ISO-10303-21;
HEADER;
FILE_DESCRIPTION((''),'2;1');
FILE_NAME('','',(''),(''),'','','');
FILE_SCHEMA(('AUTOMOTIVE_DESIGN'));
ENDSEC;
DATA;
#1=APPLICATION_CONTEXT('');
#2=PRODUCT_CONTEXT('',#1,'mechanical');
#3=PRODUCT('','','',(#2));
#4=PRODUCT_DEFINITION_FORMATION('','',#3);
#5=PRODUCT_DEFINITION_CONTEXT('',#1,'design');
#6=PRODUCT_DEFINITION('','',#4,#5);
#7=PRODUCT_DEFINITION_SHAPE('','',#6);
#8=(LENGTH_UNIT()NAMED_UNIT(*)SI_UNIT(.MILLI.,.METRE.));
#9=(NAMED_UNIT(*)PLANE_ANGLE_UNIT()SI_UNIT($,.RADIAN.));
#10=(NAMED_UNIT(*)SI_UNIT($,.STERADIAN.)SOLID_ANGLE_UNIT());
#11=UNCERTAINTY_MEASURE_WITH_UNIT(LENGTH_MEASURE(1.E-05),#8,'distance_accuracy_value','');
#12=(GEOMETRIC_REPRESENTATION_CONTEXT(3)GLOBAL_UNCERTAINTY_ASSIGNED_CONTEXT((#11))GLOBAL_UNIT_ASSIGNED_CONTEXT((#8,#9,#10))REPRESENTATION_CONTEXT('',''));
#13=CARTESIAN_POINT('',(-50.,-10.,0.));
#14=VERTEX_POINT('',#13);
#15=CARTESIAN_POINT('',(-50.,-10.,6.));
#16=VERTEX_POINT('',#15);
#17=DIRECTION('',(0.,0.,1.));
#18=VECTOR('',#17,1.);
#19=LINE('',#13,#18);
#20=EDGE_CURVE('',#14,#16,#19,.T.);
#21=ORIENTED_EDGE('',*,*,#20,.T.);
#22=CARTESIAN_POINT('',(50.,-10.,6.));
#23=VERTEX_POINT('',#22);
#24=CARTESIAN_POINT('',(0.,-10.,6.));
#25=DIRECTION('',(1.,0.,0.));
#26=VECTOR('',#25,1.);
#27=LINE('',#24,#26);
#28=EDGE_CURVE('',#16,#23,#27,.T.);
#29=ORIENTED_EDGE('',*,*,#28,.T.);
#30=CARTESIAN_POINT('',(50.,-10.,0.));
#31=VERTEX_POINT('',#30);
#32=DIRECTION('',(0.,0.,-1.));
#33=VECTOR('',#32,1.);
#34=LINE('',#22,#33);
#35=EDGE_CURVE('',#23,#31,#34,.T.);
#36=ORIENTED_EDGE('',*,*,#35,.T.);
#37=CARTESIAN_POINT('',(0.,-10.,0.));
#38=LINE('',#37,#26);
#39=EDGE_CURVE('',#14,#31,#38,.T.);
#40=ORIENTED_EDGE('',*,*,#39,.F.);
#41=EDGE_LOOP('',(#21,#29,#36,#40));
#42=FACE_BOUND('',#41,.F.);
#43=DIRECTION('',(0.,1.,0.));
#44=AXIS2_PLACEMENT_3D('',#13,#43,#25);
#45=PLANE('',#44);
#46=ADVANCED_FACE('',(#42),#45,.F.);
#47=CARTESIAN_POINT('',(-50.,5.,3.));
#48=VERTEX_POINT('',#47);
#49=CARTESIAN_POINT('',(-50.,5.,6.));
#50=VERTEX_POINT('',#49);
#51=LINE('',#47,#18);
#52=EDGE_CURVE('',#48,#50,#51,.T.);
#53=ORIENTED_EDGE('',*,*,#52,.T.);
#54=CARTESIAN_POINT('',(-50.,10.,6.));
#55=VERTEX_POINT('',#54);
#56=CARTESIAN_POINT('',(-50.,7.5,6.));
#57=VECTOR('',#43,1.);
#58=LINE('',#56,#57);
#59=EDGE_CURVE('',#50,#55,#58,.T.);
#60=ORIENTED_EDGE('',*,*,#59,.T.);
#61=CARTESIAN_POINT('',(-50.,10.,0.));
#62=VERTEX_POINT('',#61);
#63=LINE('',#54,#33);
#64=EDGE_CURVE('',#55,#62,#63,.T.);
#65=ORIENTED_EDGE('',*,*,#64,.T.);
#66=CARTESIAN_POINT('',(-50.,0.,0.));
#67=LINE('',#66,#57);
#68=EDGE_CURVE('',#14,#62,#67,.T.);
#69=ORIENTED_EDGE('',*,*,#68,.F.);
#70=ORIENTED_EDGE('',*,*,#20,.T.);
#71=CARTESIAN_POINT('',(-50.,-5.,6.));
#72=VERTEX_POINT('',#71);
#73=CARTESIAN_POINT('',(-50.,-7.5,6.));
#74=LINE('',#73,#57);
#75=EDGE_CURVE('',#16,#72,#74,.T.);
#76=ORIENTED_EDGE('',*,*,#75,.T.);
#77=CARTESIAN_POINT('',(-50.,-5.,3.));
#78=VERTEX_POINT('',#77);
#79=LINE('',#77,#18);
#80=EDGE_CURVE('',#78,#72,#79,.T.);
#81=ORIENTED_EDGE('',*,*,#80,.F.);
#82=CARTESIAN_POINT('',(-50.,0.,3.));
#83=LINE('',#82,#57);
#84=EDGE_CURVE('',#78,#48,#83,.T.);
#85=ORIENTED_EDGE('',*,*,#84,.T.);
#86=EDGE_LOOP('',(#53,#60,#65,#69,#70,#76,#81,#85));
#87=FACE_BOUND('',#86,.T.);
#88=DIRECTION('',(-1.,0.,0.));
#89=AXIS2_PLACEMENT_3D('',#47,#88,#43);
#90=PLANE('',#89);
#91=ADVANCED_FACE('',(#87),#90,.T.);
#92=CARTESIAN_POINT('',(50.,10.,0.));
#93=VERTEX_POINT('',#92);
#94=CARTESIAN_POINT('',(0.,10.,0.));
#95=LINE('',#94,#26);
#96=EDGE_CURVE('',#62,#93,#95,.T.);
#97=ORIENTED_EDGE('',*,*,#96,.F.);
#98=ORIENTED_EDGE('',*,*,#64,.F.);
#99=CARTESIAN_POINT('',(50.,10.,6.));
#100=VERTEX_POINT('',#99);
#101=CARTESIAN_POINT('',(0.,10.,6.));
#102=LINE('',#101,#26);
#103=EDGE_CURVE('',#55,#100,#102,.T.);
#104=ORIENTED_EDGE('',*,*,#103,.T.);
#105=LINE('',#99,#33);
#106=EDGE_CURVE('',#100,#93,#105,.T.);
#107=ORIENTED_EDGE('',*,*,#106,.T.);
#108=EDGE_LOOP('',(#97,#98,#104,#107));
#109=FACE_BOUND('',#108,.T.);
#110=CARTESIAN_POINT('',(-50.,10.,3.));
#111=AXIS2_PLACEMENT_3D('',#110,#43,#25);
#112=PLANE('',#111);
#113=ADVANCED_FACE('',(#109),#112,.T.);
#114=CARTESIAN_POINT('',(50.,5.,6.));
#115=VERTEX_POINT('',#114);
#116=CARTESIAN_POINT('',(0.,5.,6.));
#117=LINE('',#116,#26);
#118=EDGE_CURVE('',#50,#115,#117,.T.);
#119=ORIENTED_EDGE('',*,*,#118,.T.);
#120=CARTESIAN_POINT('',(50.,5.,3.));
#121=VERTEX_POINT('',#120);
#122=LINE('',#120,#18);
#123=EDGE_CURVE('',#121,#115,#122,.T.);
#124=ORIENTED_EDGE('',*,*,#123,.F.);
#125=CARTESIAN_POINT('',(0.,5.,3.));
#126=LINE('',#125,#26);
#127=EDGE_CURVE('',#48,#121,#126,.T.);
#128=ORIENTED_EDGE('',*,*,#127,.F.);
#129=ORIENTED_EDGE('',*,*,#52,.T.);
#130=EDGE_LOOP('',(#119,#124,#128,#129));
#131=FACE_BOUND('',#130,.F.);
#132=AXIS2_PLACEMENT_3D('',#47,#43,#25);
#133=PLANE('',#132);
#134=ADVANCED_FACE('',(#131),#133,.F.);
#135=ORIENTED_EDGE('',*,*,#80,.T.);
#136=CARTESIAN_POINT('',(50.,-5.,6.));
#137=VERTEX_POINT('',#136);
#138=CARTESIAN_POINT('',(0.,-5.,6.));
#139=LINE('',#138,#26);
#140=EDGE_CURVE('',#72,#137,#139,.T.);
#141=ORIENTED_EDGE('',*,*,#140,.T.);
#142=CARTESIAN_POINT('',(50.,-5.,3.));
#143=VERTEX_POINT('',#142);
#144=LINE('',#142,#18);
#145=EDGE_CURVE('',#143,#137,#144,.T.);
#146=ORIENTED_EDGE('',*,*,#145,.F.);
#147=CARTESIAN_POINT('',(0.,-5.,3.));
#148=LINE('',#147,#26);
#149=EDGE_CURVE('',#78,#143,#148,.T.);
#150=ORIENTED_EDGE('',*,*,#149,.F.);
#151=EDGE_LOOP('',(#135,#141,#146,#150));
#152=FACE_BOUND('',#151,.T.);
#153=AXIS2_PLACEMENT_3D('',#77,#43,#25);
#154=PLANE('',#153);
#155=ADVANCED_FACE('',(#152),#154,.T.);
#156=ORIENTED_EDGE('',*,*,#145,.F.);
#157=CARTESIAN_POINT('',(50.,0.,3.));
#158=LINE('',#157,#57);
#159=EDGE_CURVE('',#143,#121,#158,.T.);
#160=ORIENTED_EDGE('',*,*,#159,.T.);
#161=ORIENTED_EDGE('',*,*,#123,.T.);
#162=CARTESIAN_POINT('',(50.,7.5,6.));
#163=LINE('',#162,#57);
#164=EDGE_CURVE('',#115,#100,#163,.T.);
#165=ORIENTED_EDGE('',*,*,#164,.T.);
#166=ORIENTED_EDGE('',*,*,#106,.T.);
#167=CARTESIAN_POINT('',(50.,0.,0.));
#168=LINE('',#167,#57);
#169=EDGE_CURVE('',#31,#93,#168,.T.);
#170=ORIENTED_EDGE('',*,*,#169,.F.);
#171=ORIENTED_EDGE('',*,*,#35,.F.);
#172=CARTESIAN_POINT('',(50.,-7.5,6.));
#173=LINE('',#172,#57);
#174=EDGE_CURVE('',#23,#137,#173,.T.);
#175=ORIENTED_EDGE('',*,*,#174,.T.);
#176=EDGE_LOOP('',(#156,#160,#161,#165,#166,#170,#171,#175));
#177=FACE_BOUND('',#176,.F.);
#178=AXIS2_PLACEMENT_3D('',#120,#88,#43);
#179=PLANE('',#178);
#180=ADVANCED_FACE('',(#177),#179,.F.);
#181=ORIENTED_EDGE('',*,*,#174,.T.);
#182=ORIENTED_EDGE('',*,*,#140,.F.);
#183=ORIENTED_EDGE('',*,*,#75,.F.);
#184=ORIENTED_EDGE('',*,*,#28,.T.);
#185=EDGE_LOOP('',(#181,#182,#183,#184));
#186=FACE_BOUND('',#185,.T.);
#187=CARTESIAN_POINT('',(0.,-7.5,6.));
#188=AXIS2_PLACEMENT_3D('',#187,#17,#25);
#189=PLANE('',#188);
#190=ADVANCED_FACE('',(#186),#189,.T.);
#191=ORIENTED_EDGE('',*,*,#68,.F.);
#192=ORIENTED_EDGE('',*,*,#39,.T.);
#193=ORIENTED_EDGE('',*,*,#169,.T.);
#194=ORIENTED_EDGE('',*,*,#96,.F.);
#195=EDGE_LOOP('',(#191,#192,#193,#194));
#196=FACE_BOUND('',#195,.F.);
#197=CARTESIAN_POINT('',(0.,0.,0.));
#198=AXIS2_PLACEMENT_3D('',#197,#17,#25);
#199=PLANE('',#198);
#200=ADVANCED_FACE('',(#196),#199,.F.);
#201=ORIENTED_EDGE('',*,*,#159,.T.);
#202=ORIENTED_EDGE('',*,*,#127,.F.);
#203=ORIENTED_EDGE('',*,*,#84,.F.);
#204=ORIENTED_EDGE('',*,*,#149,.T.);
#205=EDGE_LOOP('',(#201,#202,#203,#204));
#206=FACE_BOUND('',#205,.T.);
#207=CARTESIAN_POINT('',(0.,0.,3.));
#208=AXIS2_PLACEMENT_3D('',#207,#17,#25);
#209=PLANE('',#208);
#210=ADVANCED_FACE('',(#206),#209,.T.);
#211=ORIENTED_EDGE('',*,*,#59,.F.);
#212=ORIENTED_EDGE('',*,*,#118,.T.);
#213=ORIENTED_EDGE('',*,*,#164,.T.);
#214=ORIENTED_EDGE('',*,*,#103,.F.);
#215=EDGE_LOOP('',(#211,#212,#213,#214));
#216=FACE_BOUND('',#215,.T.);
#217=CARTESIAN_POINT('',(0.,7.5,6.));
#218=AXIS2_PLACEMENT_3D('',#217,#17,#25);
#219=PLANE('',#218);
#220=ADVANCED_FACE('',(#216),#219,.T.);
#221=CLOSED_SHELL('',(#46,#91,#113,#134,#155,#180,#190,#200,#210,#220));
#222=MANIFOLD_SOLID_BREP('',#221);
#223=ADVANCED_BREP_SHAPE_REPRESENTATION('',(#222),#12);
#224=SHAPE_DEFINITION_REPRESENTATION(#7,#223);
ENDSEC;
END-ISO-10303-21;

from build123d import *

# Parameters (mm, degrees)
SKETCH_W     = 100
SKETCH_H     = 20
PAD_DEPTH    = 3
SKETCH001_W  = 100
SKETCH001_H  = 5
PAD001_DEPTH = 3


with BuildPart() as part:
    # Sketch → Pad (new body)
    with BuildSketch(Plane.XY):
        Rectangle(SKETCH_W, SKETCH_H)
    extrude(amount=PAD_DEPTH)

    # Sketch001 (on Face6 of Pad) → Pad001 (join)
    with BuildSketch(Plane.XY.offset(3)):
        with Locations((0, 7.5)):
            Rectangle(SKETCH001_W, SKETCH001_H)
        with Locations((0, -7.5)):
            Rectangle(SKETCH001_W, SKETCH001_H)
    extrude(amount=PAD001_DEPTH)


solid = part.part
